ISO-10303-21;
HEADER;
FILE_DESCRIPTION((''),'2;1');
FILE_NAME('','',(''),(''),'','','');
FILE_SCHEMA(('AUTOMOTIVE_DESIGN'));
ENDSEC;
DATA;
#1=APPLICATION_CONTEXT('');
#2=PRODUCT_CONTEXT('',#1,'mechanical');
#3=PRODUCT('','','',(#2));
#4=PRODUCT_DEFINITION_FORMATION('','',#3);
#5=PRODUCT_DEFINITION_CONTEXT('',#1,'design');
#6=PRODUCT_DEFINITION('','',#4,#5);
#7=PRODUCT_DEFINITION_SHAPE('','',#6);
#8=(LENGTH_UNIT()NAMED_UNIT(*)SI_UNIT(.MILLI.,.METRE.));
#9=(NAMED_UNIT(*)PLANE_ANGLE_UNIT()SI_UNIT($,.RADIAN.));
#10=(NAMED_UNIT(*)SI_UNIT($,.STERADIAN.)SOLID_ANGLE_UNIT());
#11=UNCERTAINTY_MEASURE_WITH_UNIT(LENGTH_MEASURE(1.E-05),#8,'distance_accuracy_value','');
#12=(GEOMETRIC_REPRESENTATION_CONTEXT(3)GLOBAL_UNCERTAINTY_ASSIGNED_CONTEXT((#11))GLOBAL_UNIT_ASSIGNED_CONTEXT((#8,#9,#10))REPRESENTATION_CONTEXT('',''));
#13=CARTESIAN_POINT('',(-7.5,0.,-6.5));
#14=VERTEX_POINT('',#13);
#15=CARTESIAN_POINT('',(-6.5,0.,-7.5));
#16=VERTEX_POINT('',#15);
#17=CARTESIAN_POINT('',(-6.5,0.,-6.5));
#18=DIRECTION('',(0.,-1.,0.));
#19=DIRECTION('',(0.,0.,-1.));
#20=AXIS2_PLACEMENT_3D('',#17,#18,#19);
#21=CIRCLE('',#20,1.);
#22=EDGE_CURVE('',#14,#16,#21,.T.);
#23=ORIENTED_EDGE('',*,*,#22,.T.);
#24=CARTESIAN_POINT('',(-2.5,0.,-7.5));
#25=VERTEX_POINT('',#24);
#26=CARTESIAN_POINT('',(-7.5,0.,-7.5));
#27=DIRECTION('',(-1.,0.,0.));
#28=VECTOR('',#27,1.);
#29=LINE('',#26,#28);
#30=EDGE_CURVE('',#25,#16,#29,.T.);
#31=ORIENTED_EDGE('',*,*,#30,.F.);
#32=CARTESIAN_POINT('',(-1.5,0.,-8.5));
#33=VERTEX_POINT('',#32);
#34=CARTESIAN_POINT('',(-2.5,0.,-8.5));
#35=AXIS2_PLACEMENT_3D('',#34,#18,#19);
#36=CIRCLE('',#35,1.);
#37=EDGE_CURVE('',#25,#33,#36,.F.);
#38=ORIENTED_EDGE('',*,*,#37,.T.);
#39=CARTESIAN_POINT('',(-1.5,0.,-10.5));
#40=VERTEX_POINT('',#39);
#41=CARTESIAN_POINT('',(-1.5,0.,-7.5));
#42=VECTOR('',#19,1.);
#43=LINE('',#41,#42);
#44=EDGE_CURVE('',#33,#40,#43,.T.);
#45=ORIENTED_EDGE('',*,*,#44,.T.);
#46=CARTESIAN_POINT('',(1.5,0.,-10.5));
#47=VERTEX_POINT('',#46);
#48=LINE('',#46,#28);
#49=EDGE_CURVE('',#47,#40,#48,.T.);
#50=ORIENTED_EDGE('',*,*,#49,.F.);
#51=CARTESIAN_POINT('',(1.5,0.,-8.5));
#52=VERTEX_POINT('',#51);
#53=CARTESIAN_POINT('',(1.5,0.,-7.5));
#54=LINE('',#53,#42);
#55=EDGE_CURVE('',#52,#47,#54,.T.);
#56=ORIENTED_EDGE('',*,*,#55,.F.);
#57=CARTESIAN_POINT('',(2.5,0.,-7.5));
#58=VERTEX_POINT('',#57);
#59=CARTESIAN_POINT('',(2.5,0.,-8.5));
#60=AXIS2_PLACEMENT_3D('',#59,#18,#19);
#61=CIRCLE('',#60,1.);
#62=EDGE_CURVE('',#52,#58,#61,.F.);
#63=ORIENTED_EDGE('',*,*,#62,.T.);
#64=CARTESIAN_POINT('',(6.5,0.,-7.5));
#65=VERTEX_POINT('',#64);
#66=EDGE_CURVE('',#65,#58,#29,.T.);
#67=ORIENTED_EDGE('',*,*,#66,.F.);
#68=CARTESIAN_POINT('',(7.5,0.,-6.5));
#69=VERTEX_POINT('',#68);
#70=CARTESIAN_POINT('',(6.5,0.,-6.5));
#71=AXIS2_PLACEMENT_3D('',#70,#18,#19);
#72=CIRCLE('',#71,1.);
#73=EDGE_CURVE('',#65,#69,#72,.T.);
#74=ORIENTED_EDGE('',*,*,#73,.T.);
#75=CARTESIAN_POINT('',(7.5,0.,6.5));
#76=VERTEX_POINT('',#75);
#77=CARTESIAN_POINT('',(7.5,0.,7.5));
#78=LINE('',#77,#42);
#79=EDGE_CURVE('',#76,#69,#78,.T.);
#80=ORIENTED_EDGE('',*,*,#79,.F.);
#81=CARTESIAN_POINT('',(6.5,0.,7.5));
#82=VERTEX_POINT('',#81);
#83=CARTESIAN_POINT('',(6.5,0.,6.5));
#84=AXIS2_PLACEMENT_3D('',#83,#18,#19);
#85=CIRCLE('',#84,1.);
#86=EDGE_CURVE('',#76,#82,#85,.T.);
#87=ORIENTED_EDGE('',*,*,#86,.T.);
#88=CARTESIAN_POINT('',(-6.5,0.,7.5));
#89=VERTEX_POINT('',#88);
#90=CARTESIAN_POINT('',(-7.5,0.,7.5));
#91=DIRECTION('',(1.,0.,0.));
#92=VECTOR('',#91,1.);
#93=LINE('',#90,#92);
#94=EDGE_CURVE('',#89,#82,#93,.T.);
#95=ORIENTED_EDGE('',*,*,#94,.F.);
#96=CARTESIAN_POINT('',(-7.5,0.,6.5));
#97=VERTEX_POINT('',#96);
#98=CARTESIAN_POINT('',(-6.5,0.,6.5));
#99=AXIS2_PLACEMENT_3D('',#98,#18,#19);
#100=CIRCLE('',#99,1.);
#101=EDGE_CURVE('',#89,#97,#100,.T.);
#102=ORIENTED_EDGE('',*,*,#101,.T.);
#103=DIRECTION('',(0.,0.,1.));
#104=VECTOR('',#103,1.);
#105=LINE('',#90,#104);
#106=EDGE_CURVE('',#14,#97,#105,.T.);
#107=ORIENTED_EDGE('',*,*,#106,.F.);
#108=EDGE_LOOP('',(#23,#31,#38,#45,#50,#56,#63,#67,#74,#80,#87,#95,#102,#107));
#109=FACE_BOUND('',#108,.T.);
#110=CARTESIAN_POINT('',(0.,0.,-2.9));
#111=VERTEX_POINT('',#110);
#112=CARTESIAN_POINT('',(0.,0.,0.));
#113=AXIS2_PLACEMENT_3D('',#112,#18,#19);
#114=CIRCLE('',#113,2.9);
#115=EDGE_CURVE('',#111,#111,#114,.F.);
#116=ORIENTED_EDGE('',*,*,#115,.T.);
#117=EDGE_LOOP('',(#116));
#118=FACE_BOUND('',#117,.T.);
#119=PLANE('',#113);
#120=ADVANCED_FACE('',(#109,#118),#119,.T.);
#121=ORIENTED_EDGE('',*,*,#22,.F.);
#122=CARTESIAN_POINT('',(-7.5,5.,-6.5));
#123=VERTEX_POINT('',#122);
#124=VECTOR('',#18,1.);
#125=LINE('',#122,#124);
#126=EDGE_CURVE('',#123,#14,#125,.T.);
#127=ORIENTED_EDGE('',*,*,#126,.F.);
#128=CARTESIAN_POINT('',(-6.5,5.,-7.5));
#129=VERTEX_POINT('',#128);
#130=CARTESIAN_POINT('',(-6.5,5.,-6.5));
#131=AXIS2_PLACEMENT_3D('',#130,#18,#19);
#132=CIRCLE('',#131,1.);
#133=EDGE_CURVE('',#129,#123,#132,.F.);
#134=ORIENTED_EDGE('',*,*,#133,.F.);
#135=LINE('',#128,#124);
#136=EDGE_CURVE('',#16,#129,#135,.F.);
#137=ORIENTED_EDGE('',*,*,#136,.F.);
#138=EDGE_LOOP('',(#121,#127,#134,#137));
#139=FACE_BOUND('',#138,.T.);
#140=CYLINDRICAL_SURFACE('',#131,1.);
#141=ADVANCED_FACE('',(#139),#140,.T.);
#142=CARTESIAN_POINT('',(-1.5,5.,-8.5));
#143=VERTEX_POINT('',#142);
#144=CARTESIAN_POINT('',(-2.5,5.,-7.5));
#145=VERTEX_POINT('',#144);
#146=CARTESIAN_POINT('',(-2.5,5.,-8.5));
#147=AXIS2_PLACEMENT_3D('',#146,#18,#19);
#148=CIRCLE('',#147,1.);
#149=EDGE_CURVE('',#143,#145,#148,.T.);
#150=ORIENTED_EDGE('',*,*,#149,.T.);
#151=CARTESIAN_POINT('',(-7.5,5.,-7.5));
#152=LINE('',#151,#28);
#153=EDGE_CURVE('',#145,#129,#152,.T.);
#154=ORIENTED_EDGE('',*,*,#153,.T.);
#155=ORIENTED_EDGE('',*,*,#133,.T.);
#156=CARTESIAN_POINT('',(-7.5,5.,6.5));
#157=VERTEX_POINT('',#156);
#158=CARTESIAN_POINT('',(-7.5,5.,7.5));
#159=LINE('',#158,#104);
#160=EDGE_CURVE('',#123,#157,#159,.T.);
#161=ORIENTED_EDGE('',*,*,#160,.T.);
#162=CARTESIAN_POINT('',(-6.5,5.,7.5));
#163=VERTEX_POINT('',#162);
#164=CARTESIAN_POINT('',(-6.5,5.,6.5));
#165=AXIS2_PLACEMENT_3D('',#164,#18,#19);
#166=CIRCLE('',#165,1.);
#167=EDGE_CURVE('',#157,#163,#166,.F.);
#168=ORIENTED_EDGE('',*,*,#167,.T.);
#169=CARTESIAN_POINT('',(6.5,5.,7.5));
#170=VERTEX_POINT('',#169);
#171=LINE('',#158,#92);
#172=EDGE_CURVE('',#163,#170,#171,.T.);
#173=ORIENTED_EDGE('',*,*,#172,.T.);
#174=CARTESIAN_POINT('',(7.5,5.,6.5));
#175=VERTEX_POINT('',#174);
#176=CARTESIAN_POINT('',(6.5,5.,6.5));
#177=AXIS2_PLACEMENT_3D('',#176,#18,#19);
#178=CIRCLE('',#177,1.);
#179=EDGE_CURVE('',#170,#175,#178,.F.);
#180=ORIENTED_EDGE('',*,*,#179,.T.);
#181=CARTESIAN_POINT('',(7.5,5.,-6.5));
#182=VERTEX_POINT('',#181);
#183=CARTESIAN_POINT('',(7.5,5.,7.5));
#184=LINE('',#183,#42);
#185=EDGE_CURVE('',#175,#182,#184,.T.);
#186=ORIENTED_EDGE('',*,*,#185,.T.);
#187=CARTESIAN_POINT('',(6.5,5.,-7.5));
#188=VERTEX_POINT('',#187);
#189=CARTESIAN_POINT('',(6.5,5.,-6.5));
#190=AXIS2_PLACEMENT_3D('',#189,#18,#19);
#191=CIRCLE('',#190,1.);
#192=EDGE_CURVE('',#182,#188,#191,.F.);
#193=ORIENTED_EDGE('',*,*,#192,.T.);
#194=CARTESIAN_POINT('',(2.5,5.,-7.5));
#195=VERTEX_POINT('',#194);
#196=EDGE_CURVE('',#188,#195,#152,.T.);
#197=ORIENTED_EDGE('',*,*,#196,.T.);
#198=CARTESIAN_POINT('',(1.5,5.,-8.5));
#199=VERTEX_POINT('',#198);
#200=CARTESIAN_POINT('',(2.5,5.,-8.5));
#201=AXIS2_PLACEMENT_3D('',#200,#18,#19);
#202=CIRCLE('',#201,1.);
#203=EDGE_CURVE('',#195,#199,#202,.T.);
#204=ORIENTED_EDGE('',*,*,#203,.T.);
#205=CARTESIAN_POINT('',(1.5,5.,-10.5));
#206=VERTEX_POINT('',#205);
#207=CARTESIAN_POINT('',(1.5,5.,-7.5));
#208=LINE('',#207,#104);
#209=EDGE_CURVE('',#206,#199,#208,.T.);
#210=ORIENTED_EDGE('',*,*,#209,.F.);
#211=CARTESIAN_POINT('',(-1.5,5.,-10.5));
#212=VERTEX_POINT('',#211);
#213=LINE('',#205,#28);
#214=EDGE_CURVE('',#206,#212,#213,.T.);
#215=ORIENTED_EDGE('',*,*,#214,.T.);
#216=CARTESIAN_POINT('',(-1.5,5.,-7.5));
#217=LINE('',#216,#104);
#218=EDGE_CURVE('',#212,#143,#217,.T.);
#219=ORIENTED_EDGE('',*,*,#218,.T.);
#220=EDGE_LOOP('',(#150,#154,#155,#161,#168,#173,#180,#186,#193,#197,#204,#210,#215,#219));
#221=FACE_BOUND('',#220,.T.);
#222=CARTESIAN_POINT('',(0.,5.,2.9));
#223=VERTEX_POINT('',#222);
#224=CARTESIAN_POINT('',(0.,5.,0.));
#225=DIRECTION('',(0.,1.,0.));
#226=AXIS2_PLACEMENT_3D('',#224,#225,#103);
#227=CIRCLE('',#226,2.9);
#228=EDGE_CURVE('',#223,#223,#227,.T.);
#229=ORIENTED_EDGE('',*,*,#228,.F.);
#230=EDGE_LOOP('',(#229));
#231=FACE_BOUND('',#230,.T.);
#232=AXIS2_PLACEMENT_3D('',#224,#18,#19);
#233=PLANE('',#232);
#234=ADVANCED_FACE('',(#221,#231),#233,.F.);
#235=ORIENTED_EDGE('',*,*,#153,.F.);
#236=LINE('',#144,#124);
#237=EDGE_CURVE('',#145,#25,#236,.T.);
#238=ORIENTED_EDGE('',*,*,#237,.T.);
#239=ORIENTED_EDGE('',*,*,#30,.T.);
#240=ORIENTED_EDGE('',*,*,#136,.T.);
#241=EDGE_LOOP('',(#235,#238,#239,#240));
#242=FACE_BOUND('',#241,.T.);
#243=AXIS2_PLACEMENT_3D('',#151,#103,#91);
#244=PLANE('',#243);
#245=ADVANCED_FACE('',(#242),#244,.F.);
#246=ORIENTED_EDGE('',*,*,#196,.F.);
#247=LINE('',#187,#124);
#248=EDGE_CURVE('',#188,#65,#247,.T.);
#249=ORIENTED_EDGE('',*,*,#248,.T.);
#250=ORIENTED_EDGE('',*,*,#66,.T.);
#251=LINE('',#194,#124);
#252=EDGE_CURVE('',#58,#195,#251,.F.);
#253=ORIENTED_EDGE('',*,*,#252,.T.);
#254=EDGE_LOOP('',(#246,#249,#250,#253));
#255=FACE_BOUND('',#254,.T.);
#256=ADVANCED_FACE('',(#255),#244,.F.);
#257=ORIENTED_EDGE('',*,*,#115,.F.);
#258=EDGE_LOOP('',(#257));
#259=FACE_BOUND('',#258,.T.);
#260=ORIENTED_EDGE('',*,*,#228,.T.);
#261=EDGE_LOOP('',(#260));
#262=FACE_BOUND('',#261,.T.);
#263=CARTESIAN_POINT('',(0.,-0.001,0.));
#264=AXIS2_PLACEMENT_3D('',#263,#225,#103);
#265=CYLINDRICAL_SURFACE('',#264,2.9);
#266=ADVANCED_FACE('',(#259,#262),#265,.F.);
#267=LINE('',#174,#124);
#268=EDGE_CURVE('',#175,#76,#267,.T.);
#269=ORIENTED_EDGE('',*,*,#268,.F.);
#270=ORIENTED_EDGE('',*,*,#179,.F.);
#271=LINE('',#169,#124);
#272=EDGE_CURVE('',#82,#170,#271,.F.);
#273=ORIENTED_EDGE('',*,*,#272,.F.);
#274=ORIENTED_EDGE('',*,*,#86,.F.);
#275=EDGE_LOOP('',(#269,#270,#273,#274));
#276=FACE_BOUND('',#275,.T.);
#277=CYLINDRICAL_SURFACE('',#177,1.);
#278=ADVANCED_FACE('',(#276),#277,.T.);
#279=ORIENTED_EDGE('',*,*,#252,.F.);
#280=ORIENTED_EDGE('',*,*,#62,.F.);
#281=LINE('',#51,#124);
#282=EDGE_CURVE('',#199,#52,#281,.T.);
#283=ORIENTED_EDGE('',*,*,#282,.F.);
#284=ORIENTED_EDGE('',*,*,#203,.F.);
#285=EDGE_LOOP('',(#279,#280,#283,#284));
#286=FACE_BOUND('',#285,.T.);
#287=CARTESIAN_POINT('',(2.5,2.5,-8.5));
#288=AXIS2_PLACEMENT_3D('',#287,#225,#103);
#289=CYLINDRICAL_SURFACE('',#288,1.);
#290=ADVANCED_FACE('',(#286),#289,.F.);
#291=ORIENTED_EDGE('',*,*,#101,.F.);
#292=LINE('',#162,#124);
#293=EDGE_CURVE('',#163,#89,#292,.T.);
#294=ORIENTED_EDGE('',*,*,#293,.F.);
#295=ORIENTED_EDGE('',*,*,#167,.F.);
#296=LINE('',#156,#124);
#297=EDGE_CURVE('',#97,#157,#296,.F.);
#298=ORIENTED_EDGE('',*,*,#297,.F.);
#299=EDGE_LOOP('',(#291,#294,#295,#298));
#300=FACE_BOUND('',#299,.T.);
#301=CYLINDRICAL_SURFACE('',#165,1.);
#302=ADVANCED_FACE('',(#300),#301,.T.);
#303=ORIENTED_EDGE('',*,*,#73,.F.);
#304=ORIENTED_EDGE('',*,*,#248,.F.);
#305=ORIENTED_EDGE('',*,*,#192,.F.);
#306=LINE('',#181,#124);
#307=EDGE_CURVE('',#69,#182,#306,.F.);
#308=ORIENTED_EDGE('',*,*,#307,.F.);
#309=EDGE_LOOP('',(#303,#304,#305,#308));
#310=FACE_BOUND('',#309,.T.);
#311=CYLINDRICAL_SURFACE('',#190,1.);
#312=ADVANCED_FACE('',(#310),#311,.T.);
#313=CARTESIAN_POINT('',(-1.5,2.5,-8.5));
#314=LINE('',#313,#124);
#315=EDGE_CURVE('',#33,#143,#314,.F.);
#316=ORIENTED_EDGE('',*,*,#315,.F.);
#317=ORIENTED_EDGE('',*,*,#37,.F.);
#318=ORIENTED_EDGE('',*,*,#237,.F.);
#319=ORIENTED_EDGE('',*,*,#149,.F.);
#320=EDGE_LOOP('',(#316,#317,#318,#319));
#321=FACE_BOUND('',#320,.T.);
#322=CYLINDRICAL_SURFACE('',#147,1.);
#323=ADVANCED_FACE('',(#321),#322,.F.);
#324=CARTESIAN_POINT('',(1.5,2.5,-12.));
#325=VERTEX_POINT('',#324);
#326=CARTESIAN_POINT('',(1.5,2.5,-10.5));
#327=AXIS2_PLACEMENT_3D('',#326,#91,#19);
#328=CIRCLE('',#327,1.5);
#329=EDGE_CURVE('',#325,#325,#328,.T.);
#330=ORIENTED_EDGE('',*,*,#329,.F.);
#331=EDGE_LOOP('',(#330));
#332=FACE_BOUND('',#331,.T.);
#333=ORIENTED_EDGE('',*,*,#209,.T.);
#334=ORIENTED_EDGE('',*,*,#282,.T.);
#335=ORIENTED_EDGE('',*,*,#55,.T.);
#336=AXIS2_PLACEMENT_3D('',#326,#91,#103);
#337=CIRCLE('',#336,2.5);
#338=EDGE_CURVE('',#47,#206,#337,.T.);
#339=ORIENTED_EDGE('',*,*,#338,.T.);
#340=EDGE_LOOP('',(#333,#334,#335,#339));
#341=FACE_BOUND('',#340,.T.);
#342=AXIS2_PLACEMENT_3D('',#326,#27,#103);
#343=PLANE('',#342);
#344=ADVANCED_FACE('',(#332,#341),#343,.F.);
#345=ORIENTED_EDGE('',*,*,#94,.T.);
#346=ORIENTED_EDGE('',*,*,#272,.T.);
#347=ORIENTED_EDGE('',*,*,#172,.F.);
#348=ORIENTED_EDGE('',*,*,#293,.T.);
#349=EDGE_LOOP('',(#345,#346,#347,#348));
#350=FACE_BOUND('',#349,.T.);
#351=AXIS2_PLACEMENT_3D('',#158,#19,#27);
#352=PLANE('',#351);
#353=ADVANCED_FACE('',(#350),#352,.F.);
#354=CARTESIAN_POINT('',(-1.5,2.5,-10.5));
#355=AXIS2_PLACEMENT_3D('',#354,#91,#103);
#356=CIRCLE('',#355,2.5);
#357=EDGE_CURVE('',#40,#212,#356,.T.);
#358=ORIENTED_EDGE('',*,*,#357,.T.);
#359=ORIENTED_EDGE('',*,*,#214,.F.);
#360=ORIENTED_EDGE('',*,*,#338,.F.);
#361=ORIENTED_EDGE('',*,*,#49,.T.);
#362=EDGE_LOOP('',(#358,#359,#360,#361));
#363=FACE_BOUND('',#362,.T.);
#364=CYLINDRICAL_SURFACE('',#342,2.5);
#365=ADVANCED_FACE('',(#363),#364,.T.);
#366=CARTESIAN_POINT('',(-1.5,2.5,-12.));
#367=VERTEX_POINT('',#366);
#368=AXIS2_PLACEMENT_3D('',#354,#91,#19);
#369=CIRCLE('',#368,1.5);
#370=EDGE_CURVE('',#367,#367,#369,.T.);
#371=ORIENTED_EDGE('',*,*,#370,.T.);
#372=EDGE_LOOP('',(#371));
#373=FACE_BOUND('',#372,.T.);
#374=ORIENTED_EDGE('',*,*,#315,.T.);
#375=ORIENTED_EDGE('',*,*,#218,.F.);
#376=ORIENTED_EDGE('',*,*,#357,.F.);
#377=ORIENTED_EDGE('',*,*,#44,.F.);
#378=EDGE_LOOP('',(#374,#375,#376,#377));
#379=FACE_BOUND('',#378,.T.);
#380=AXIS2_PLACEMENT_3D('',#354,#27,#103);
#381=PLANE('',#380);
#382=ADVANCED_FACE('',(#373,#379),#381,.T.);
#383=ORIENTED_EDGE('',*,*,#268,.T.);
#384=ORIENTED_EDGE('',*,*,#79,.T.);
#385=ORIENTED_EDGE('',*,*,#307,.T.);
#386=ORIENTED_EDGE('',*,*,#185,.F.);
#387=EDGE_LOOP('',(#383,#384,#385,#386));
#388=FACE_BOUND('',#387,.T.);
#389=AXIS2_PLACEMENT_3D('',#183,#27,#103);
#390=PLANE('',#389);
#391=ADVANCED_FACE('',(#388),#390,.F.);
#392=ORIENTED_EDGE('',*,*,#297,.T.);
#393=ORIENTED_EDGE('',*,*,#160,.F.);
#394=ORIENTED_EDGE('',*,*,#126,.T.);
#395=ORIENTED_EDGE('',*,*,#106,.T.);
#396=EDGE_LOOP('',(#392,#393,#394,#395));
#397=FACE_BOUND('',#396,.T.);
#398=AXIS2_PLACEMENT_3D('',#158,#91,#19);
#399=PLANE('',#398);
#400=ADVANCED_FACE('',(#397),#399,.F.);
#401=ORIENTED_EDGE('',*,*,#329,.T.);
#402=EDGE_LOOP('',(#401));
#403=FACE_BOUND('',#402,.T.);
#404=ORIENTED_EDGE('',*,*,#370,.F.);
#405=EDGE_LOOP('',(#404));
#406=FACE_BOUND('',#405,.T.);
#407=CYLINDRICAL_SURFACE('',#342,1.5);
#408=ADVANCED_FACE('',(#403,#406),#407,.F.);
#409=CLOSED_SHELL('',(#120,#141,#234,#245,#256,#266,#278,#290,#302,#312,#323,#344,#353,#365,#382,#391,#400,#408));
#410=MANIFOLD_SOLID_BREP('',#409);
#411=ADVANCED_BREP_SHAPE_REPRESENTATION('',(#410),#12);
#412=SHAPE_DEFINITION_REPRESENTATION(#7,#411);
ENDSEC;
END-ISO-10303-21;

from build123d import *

# Parameters (mm, degrees)
SKETCH1_W           = 15
SKETCH1_H           = 15
BOSS_EXTRUDE1_DEPTH = 5
SKETCH3_R           = 1.5
BOSS_EXTRUDE2_DEPTH = 1.5
CUT_EXTRUDE1_REACH  = 17.819
SKETCH4_R           = 2.9
FILLET1_R           = 1


with BuildPart() as part:
    # Sketch1 → Boss-Extrude1 (new body)
    with BuildSketch(Plane(origin=(0, 0, 0), x_dir=(1, 0, 0), z_dir=(0, 1, 0))):
        Rectangle(SKETCH1_W, SKETCH1_H)
    extrude(amount=BOSS_EXTRUDE1_DEPTH)

    # Sketch3 → Boss-Extrude2 (add, symmetric)
    with BuildSketch(Plane(origin=(0, 0, 0), x_dir=(0, 0, -1), z_dir=(1, 0, 0))):
        with BuildLine():
            Line((7.5, 5), (10.5, 5))
            ThreePointArc((10.5, 5), (13, 2.5), (10.5, 0))
            Line((10.5, 0), (7.5, 0))
            Line((7.5, 0), (7.5, 5))
        make_face()
        with Locations((10.5, 2.5)):
            Circle(SKETCH3_R, mode=Mode.SUBTRACT)
    extrude(amount=BOSS_EXTRUDE2_DEPTH, both=True)

    # Sketch4 → Cut-Extrude1 (cut, up to next)
    with BuildSketch(Plane(origin=(0, 5, 0), x_dir=(1, 0, 0), z_dir=(0, 1, 0)), mode=Mode.PRIVATE) as cut_extrude1_sk1:
        with Locations(Location((0, 0, 0), (0, 0, 270))):
            Circle(SKETCH4_R)
    cut_extrude1_tool1 = extrude(cut_extrude1_sk1.sketch, amount=-CUT_EXTRUDE1_REACH, mode=Mode.PRIVATE) & part.part
    add(cut_extrude1_tool1.solids().sort_by_distance((0, 5, 0))[0], mode=Mode.SUBTRACT)

    # Fillet1
    fillet1_edges = [part.edges().sort_by_distance(p)[0] for p in [
        (1.5, 2.5, -7.5),
        (-1.5, 2.5, -7.5),
        (7.5, 2.5, 7.5),
        (-7.5, 2.5, 7.5),
        (-7.5, 2.5, -7.5),
        (7.5, 2.5, -7.5),
    ]]
    fillet(fillet1_edges, radius=FILLET1_R)


solid = part.part
